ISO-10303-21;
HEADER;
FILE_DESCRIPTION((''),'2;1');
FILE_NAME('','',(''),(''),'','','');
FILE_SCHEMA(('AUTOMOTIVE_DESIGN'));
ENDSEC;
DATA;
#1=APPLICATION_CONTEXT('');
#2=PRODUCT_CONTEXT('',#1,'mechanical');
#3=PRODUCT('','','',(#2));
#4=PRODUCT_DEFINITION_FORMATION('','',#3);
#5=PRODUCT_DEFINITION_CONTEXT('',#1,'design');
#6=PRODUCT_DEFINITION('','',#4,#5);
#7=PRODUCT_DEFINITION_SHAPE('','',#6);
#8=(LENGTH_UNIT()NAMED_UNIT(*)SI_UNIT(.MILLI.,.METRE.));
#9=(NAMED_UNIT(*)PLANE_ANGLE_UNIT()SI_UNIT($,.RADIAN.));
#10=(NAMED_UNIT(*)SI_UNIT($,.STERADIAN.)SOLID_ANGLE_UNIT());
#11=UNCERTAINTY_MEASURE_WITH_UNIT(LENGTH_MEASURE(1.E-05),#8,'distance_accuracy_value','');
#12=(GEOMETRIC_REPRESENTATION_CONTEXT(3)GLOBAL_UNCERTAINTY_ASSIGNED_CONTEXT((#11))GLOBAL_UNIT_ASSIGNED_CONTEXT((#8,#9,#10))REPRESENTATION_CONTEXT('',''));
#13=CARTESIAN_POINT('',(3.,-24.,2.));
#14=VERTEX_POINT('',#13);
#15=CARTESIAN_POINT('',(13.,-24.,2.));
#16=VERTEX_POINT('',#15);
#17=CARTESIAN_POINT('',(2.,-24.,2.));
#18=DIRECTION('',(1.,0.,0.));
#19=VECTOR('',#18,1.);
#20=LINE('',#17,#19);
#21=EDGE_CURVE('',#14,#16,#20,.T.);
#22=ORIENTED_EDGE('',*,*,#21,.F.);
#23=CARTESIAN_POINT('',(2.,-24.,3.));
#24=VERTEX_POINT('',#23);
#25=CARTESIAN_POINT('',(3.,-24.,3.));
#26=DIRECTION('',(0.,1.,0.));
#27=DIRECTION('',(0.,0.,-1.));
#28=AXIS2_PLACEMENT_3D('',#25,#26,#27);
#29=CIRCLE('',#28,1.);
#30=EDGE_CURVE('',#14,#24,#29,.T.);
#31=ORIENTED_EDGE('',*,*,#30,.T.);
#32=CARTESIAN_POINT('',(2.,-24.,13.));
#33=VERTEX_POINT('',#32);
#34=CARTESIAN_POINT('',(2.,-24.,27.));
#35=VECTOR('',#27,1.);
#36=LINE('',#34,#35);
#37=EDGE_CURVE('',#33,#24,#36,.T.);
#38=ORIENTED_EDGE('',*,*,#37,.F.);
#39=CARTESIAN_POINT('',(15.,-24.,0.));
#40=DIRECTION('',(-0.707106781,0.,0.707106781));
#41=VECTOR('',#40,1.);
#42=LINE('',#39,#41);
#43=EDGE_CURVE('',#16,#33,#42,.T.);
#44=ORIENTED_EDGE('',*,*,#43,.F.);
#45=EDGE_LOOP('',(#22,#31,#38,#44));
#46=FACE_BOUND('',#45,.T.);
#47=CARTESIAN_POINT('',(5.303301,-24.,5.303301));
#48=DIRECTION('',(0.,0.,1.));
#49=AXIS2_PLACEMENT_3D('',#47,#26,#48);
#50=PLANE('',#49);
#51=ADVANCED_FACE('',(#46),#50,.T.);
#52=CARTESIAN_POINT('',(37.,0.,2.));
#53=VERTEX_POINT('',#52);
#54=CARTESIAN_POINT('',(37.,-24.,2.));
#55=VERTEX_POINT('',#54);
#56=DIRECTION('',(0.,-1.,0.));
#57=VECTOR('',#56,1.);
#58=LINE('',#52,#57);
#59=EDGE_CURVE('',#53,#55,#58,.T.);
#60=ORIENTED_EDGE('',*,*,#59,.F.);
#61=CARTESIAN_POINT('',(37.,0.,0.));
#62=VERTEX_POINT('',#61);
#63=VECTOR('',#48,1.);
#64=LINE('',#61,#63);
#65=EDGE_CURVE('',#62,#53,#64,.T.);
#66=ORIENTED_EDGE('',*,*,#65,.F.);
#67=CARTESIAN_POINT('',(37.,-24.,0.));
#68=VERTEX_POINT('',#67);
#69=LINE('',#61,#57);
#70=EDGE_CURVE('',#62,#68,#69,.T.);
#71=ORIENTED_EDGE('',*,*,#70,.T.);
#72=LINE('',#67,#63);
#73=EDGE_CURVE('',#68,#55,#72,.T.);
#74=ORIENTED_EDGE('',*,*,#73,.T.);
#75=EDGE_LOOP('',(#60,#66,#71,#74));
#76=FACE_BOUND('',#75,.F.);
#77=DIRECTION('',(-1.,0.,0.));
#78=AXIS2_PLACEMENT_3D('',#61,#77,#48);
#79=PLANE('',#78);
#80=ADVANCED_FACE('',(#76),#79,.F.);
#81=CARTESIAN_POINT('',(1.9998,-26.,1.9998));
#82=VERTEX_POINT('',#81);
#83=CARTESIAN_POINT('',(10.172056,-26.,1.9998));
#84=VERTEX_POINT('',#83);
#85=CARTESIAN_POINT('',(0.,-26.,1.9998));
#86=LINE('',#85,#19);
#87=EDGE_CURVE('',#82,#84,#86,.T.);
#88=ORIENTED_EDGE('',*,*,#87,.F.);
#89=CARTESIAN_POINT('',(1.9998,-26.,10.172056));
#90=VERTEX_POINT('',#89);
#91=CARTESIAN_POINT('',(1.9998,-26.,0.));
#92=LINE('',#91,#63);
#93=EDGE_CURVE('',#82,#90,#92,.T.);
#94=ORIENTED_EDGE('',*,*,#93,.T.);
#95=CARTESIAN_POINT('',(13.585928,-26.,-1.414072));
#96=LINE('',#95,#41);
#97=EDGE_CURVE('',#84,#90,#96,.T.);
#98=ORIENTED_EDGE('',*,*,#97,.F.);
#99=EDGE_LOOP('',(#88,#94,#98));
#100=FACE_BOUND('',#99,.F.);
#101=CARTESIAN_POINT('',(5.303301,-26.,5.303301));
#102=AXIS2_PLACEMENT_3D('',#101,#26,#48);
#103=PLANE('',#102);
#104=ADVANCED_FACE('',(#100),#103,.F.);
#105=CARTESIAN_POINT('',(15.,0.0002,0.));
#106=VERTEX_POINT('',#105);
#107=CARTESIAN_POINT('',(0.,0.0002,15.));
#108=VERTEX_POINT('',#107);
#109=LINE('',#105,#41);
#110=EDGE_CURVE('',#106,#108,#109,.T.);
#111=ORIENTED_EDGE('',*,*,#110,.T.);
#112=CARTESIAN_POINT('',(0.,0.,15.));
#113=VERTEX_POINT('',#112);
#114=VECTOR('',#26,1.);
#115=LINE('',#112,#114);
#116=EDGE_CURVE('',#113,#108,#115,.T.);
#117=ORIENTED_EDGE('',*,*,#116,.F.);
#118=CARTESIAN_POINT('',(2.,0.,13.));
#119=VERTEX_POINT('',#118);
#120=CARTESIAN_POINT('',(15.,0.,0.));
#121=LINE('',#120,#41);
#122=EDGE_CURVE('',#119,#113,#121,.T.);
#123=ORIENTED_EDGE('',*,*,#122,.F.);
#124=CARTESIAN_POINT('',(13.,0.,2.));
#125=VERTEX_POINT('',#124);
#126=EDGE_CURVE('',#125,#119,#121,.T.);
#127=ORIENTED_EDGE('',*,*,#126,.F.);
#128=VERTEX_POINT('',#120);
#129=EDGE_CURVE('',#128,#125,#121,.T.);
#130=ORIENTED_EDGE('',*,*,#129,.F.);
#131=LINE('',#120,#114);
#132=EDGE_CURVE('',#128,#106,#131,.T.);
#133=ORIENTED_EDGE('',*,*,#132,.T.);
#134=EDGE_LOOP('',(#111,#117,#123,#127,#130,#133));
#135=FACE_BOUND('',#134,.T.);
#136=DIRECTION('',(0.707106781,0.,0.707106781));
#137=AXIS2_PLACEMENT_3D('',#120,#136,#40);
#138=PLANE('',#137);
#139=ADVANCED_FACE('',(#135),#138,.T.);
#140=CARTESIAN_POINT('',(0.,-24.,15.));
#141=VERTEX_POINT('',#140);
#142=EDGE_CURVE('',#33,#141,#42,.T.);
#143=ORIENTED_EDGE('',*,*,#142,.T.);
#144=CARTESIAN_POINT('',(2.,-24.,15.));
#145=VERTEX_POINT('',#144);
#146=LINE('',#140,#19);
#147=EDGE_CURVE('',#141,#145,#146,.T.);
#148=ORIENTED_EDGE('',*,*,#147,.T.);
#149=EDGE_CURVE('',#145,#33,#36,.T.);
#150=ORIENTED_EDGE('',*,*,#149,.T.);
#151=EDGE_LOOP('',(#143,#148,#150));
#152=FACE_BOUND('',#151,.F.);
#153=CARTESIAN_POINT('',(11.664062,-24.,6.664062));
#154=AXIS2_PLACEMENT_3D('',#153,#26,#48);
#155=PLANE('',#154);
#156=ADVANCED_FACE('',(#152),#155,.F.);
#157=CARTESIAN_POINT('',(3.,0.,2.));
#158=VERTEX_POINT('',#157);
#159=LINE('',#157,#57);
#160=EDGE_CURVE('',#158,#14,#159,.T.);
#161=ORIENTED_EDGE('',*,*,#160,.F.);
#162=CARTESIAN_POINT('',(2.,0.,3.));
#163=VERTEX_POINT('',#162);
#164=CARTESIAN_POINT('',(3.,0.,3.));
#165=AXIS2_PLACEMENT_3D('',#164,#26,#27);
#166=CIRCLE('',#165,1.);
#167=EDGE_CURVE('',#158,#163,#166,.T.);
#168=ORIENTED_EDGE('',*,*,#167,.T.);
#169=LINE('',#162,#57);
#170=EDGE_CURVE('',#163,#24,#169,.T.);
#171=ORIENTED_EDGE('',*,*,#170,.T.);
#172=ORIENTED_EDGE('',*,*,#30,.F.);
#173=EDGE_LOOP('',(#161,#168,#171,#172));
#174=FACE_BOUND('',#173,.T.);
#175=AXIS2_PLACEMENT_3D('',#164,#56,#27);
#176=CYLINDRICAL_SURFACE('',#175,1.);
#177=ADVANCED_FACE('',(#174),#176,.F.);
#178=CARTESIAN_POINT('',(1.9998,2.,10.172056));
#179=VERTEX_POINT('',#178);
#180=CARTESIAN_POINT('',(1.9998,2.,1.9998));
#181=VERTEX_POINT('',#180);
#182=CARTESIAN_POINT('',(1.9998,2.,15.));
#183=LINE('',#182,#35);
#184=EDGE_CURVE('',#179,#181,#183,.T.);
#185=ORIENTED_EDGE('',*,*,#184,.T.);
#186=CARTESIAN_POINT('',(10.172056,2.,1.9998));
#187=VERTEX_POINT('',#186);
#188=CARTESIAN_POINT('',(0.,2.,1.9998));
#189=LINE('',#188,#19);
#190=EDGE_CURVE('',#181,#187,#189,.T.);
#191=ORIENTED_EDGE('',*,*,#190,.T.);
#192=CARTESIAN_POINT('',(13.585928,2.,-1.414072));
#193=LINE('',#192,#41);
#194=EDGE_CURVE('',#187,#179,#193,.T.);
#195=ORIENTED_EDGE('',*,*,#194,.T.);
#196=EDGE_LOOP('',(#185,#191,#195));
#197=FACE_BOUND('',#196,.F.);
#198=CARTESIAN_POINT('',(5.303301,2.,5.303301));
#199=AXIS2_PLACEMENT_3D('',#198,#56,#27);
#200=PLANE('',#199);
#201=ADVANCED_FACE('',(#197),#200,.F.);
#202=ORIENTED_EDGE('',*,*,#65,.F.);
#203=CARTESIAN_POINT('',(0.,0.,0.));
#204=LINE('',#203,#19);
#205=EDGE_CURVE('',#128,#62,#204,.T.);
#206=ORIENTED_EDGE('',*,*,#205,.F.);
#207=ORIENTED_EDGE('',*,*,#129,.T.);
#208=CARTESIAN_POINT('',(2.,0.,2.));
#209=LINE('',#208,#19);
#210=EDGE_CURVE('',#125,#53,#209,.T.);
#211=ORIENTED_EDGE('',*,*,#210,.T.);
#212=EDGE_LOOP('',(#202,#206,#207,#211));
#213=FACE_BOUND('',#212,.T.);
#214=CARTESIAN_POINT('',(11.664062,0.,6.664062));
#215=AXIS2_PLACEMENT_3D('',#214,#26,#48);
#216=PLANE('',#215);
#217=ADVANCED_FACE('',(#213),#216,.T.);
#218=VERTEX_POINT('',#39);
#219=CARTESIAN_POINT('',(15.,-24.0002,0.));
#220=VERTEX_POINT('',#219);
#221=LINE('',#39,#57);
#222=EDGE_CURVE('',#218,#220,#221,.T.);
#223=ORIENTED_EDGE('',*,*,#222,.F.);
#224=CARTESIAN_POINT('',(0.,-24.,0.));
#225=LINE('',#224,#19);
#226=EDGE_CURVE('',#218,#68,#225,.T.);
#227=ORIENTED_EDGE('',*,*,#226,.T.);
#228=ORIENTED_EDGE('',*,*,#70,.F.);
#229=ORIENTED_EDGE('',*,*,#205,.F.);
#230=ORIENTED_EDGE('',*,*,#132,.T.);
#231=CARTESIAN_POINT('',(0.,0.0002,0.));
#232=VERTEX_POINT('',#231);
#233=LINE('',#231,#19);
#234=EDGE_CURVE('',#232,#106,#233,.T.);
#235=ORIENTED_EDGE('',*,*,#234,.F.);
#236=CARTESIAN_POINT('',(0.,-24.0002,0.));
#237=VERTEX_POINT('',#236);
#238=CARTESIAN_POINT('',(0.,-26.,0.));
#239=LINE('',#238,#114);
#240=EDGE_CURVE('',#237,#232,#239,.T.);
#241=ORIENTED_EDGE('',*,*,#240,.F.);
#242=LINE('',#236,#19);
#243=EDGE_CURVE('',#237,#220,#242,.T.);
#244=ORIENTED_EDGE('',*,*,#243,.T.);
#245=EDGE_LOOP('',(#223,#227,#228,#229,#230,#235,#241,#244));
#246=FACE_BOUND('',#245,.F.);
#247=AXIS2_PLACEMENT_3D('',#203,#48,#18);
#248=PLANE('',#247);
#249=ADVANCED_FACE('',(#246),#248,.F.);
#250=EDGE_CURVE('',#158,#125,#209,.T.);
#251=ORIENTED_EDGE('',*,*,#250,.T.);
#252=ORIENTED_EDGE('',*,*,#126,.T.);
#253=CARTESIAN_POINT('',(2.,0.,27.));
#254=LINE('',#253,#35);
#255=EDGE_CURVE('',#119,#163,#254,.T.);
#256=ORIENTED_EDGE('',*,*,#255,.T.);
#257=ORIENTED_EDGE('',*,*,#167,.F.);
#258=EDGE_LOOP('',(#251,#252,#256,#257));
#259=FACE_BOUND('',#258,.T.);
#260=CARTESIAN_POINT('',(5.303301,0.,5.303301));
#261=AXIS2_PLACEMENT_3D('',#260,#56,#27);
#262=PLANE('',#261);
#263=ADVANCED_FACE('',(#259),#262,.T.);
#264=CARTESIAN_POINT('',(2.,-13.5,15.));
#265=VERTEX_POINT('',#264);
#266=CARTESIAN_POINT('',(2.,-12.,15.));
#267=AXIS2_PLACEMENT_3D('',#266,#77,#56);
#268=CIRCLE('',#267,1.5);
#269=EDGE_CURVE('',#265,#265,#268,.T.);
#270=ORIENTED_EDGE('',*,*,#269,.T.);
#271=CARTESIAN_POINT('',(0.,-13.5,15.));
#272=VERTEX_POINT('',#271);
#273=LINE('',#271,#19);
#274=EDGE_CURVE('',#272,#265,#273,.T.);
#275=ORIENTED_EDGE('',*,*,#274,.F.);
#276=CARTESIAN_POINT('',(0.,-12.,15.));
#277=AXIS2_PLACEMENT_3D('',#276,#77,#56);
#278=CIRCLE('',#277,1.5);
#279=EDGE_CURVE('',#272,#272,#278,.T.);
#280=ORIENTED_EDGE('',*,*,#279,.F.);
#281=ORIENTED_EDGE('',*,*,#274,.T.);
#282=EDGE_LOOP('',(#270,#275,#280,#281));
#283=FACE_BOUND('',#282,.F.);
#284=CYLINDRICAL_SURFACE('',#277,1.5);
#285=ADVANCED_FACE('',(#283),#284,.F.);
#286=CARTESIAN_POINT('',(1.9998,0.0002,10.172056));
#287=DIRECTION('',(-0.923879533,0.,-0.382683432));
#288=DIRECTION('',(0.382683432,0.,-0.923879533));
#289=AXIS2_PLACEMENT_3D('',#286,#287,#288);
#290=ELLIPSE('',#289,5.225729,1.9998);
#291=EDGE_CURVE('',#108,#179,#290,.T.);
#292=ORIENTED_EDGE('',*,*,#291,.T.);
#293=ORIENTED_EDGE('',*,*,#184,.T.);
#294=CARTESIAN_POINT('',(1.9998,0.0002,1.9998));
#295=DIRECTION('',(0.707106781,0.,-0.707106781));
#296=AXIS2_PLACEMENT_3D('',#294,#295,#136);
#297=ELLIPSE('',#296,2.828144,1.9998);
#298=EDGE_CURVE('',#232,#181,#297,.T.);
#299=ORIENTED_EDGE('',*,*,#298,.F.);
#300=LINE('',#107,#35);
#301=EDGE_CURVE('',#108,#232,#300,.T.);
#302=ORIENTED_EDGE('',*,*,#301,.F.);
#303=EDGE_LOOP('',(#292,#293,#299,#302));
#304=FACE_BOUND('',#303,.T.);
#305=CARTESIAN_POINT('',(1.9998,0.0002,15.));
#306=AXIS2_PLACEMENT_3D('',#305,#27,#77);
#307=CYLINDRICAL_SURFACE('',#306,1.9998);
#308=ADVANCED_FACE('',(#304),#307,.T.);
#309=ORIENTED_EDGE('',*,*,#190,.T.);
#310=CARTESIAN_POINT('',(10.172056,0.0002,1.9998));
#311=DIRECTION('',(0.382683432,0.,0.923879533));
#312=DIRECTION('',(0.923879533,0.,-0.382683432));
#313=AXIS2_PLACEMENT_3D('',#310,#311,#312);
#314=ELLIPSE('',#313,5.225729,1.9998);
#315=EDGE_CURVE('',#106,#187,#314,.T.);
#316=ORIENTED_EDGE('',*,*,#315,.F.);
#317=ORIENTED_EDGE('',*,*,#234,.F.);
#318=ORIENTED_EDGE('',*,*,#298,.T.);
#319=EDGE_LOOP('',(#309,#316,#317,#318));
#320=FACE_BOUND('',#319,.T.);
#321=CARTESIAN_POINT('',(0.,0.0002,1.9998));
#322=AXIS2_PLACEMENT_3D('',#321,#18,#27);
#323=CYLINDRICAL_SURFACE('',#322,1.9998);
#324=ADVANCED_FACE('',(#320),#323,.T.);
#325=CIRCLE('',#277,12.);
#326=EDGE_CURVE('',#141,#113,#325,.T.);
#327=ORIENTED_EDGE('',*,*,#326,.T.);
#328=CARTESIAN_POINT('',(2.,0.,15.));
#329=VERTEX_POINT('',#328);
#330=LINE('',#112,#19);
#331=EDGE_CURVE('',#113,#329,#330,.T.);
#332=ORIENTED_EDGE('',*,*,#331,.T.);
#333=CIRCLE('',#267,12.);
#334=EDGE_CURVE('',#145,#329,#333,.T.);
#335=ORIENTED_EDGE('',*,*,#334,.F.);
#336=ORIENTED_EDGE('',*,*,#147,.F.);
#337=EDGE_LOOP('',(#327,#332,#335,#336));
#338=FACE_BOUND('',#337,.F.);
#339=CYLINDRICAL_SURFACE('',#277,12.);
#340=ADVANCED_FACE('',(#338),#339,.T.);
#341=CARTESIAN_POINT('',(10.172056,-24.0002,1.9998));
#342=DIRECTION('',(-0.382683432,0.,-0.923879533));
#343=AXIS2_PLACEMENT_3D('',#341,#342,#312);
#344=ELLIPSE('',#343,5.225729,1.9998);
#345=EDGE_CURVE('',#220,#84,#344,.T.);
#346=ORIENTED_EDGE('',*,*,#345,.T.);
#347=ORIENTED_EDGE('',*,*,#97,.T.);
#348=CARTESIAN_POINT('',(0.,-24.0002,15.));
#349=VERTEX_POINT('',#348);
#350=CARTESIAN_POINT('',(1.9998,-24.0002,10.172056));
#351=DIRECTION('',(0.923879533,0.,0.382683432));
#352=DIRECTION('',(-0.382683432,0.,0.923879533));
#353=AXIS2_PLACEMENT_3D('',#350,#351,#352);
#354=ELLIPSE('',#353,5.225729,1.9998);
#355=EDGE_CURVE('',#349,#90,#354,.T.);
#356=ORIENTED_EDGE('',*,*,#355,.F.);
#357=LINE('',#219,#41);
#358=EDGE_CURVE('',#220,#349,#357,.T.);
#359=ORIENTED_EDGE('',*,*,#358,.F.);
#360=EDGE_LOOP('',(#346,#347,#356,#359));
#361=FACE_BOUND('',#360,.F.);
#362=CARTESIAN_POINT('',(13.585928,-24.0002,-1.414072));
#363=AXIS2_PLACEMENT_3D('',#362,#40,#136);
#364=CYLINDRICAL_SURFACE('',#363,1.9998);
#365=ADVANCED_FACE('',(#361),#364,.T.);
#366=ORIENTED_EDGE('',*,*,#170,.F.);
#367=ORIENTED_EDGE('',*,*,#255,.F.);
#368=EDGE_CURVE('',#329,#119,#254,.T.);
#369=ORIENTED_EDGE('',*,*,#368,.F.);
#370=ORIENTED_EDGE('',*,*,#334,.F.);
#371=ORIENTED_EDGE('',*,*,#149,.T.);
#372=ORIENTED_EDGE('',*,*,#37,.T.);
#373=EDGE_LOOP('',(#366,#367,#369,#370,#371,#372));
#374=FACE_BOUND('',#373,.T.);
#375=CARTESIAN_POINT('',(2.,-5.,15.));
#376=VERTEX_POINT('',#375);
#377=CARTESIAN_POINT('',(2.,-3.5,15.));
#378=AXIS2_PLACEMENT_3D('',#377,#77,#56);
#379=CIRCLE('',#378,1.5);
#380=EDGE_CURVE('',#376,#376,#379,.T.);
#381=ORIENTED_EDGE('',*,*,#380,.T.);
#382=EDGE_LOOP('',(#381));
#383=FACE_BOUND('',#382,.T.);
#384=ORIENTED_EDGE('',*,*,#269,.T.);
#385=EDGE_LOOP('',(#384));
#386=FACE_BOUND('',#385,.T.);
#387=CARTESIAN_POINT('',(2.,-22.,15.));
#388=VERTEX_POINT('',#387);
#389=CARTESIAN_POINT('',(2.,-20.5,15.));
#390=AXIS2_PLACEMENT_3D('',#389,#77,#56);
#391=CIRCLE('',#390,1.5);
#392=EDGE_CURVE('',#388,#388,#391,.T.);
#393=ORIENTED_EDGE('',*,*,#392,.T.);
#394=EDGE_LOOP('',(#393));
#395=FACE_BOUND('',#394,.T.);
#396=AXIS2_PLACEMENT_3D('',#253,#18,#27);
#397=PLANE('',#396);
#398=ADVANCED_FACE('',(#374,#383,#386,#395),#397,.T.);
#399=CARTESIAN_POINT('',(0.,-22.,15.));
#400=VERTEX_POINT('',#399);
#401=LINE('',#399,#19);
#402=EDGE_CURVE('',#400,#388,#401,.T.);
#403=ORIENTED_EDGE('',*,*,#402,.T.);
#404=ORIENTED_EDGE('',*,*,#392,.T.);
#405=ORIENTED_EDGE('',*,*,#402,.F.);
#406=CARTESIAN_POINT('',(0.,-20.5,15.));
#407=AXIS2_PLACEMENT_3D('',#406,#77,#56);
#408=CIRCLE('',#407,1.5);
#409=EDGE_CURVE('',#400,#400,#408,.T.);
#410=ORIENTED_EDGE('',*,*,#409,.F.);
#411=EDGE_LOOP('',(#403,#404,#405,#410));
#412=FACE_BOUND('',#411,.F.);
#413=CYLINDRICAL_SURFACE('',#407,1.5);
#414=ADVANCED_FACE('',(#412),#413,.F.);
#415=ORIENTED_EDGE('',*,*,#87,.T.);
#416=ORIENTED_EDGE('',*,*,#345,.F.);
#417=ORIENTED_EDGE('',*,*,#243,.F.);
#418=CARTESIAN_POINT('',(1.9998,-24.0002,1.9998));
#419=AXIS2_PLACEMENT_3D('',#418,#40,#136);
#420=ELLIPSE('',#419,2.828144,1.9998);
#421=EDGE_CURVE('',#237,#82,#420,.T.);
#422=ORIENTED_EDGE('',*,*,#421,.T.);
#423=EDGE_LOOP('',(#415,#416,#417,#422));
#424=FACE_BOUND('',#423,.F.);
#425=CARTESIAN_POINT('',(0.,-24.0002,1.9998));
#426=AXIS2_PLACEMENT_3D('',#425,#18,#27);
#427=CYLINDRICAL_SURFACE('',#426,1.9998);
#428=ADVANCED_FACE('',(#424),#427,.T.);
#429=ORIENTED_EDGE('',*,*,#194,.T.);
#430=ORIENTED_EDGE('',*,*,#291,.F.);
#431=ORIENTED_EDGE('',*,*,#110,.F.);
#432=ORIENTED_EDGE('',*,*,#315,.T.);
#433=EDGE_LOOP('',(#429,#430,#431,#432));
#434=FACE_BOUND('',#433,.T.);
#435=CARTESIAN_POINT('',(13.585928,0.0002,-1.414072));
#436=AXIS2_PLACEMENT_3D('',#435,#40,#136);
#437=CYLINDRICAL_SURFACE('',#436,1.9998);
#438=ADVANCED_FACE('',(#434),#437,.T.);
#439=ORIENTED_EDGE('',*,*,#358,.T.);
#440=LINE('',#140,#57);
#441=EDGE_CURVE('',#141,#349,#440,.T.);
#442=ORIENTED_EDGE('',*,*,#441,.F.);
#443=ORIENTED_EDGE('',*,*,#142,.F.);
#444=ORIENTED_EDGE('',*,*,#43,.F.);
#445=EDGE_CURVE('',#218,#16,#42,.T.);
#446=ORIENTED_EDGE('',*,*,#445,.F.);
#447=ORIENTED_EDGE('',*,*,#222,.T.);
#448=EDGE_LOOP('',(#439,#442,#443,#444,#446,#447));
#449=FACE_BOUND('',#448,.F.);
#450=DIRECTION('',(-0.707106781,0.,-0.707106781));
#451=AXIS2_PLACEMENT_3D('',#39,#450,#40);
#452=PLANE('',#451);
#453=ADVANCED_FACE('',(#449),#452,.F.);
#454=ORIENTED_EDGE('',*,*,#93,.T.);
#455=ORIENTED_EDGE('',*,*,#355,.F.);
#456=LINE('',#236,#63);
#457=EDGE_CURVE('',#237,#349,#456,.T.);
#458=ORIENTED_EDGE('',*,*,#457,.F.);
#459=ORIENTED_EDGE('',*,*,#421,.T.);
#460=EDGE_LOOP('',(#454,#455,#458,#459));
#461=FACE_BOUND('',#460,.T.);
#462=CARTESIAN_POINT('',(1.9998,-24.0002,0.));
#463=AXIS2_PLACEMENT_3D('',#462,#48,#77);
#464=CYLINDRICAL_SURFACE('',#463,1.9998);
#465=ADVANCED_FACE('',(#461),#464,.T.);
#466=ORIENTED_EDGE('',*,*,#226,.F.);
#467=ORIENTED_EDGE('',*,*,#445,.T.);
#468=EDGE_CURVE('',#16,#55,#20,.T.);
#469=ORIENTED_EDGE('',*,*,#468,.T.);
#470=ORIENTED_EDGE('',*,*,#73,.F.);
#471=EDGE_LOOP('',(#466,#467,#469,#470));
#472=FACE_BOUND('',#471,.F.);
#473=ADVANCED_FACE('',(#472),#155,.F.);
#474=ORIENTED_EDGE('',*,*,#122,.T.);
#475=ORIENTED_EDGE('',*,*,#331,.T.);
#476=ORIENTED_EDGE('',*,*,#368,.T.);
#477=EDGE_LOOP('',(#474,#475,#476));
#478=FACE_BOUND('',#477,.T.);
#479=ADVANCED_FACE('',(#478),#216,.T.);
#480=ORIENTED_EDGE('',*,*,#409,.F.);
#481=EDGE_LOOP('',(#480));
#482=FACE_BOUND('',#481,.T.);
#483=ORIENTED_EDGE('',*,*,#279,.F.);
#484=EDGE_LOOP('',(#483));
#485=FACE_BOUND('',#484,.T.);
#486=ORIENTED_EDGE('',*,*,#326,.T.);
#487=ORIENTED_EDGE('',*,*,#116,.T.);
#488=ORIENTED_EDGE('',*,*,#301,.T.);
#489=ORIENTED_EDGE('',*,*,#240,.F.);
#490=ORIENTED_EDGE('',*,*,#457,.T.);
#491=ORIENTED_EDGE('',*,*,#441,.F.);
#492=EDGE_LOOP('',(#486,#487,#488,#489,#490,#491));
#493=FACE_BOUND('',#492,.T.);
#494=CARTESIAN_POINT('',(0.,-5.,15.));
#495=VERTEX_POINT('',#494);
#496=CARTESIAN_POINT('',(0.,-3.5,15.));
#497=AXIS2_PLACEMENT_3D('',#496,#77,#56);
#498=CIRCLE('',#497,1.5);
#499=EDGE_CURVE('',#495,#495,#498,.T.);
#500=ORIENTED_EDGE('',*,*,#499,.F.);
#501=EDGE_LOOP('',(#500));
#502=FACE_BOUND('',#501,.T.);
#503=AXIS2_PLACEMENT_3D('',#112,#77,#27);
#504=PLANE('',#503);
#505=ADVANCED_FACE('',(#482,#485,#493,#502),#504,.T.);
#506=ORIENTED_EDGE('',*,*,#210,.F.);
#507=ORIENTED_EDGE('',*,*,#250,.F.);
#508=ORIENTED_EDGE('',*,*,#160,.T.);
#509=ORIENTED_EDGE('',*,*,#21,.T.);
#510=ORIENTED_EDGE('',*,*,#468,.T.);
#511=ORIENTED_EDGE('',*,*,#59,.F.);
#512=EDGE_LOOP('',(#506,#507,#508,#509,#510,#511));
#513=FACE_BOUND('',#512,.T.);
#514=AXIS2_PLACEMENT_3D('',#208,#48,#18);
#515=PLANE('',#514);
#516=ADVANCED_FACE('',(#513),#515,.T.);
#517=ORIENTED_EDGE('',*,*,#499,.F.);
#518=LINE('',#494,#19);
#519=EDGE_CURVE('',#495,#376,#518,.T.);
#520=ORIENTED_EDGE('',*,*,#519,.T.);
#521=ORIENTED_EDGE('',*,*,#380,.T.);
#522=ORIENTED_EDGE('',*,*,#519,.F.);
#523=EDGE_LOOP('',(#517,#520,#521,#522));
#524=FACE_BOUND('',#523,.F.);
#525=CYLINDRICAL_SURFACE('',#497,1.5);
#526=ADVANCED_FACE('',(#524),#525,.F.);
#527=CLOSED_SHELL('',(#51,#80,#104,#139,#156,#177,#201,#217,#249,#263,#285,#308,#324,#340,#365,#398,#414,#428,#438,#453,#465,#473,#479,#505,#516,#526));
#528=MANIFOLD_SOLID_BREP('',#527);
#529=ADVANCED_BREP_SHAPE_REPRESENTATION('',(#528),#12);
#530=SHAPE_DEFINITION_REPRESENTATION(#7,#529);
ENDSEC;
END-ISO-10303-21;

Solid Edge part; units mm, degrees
sketch "Sketch1" plane through (0, 0, 0) normal (0, -1, 0) x (1, 0, 0)
  line L0 (0, 0) -> (0, 27)
  line L1 (2, 27) -> (0, 27)
  line L2 (2, 27) -> (2, 2)
  line L3 (2, 2) -> (37, 2)
  line L4 (37, 0) -> (37, 2)
  line L5 (0, 0) -> (37, 0)
extrude "Protrusion1" add sketch "Sketch1" along normal blind 24
sketch "Sketch2" plane through (0, -12, 13.5) normal (-1, 0, 0) x (0, -1, 0)
  line L0 (12, 1.5) -> (14.2005, 1.5)
  line L1 (14.2005, 1.5) -> (14.2005, 15.1309)
  line L2 (14.2005, 15.1309) -> (-13.515, 15.1309)
  line L3 (-13.515, 15.1309) -> (-13.515, 1.5)
  line L4 (-13.515, 1.5) -> (-12, 1.5)
  arc A0 (-12, 1.5) -> (12, 1.5) centre (0, 1.5) cw
extrude "ExtrudedCutout_1" cut sketch "Sketch2" against normal blind 10
sketch "Sketch3" plane through (0, -12, 13.5) normal (-1, 0, 0) x (0, -1, 0)
  circle A0 centre (0, 1.5) radius 1.5
  circle A1 centre (8.5, 1.5) radius 1.5
  circle A2 centre (-8.5, 1.5) radius 1.5
extrude "ExtrudedCutout_2" cut sketch "Sketch3" against normal blind 10
fillet "Round_1" radius 1 1 edges at (2, -12, 2)
sketch "Sketch4" plane through (18.5, 0, 7.5) normal (0, 1, 0) x (-1, 0, 0)
  line L0 (18.5, 7.5) -> (18.5, -7.5)
  line L1 (18.5, -7.5) -> (3.5, -7.5)
  line L2 (3.5, -7.5) -> (18.5, 7.5)
extrude "ExtrudedProtrusion_2" add sketch "Sketch4" along normal blind 2
sketch "Sketch5" plane through (18.5, -24, 7.5) normal (0, -1, 0) x (1, 0, 0)
  line L0 (-18.5, -7.5) -> (-18.5, 7.5)
  line L1 (-3.5, -7.5) -> (-18.5, 7.5)
  line L2 (-18.5, -7.5) -> (-3.5, -7.5)
extrude "ExtrudedProtrusion_3" add sketch "Sketch5" along normal blind 2
fillet "Round_2" radius 2 6 edges at (7.5, -26, 0) (7.5, 2, 0) (0, -26, 7.5) (0, 2, 7.5) (7.5, 2, 7.5) (7.5, -26, 7.5)
